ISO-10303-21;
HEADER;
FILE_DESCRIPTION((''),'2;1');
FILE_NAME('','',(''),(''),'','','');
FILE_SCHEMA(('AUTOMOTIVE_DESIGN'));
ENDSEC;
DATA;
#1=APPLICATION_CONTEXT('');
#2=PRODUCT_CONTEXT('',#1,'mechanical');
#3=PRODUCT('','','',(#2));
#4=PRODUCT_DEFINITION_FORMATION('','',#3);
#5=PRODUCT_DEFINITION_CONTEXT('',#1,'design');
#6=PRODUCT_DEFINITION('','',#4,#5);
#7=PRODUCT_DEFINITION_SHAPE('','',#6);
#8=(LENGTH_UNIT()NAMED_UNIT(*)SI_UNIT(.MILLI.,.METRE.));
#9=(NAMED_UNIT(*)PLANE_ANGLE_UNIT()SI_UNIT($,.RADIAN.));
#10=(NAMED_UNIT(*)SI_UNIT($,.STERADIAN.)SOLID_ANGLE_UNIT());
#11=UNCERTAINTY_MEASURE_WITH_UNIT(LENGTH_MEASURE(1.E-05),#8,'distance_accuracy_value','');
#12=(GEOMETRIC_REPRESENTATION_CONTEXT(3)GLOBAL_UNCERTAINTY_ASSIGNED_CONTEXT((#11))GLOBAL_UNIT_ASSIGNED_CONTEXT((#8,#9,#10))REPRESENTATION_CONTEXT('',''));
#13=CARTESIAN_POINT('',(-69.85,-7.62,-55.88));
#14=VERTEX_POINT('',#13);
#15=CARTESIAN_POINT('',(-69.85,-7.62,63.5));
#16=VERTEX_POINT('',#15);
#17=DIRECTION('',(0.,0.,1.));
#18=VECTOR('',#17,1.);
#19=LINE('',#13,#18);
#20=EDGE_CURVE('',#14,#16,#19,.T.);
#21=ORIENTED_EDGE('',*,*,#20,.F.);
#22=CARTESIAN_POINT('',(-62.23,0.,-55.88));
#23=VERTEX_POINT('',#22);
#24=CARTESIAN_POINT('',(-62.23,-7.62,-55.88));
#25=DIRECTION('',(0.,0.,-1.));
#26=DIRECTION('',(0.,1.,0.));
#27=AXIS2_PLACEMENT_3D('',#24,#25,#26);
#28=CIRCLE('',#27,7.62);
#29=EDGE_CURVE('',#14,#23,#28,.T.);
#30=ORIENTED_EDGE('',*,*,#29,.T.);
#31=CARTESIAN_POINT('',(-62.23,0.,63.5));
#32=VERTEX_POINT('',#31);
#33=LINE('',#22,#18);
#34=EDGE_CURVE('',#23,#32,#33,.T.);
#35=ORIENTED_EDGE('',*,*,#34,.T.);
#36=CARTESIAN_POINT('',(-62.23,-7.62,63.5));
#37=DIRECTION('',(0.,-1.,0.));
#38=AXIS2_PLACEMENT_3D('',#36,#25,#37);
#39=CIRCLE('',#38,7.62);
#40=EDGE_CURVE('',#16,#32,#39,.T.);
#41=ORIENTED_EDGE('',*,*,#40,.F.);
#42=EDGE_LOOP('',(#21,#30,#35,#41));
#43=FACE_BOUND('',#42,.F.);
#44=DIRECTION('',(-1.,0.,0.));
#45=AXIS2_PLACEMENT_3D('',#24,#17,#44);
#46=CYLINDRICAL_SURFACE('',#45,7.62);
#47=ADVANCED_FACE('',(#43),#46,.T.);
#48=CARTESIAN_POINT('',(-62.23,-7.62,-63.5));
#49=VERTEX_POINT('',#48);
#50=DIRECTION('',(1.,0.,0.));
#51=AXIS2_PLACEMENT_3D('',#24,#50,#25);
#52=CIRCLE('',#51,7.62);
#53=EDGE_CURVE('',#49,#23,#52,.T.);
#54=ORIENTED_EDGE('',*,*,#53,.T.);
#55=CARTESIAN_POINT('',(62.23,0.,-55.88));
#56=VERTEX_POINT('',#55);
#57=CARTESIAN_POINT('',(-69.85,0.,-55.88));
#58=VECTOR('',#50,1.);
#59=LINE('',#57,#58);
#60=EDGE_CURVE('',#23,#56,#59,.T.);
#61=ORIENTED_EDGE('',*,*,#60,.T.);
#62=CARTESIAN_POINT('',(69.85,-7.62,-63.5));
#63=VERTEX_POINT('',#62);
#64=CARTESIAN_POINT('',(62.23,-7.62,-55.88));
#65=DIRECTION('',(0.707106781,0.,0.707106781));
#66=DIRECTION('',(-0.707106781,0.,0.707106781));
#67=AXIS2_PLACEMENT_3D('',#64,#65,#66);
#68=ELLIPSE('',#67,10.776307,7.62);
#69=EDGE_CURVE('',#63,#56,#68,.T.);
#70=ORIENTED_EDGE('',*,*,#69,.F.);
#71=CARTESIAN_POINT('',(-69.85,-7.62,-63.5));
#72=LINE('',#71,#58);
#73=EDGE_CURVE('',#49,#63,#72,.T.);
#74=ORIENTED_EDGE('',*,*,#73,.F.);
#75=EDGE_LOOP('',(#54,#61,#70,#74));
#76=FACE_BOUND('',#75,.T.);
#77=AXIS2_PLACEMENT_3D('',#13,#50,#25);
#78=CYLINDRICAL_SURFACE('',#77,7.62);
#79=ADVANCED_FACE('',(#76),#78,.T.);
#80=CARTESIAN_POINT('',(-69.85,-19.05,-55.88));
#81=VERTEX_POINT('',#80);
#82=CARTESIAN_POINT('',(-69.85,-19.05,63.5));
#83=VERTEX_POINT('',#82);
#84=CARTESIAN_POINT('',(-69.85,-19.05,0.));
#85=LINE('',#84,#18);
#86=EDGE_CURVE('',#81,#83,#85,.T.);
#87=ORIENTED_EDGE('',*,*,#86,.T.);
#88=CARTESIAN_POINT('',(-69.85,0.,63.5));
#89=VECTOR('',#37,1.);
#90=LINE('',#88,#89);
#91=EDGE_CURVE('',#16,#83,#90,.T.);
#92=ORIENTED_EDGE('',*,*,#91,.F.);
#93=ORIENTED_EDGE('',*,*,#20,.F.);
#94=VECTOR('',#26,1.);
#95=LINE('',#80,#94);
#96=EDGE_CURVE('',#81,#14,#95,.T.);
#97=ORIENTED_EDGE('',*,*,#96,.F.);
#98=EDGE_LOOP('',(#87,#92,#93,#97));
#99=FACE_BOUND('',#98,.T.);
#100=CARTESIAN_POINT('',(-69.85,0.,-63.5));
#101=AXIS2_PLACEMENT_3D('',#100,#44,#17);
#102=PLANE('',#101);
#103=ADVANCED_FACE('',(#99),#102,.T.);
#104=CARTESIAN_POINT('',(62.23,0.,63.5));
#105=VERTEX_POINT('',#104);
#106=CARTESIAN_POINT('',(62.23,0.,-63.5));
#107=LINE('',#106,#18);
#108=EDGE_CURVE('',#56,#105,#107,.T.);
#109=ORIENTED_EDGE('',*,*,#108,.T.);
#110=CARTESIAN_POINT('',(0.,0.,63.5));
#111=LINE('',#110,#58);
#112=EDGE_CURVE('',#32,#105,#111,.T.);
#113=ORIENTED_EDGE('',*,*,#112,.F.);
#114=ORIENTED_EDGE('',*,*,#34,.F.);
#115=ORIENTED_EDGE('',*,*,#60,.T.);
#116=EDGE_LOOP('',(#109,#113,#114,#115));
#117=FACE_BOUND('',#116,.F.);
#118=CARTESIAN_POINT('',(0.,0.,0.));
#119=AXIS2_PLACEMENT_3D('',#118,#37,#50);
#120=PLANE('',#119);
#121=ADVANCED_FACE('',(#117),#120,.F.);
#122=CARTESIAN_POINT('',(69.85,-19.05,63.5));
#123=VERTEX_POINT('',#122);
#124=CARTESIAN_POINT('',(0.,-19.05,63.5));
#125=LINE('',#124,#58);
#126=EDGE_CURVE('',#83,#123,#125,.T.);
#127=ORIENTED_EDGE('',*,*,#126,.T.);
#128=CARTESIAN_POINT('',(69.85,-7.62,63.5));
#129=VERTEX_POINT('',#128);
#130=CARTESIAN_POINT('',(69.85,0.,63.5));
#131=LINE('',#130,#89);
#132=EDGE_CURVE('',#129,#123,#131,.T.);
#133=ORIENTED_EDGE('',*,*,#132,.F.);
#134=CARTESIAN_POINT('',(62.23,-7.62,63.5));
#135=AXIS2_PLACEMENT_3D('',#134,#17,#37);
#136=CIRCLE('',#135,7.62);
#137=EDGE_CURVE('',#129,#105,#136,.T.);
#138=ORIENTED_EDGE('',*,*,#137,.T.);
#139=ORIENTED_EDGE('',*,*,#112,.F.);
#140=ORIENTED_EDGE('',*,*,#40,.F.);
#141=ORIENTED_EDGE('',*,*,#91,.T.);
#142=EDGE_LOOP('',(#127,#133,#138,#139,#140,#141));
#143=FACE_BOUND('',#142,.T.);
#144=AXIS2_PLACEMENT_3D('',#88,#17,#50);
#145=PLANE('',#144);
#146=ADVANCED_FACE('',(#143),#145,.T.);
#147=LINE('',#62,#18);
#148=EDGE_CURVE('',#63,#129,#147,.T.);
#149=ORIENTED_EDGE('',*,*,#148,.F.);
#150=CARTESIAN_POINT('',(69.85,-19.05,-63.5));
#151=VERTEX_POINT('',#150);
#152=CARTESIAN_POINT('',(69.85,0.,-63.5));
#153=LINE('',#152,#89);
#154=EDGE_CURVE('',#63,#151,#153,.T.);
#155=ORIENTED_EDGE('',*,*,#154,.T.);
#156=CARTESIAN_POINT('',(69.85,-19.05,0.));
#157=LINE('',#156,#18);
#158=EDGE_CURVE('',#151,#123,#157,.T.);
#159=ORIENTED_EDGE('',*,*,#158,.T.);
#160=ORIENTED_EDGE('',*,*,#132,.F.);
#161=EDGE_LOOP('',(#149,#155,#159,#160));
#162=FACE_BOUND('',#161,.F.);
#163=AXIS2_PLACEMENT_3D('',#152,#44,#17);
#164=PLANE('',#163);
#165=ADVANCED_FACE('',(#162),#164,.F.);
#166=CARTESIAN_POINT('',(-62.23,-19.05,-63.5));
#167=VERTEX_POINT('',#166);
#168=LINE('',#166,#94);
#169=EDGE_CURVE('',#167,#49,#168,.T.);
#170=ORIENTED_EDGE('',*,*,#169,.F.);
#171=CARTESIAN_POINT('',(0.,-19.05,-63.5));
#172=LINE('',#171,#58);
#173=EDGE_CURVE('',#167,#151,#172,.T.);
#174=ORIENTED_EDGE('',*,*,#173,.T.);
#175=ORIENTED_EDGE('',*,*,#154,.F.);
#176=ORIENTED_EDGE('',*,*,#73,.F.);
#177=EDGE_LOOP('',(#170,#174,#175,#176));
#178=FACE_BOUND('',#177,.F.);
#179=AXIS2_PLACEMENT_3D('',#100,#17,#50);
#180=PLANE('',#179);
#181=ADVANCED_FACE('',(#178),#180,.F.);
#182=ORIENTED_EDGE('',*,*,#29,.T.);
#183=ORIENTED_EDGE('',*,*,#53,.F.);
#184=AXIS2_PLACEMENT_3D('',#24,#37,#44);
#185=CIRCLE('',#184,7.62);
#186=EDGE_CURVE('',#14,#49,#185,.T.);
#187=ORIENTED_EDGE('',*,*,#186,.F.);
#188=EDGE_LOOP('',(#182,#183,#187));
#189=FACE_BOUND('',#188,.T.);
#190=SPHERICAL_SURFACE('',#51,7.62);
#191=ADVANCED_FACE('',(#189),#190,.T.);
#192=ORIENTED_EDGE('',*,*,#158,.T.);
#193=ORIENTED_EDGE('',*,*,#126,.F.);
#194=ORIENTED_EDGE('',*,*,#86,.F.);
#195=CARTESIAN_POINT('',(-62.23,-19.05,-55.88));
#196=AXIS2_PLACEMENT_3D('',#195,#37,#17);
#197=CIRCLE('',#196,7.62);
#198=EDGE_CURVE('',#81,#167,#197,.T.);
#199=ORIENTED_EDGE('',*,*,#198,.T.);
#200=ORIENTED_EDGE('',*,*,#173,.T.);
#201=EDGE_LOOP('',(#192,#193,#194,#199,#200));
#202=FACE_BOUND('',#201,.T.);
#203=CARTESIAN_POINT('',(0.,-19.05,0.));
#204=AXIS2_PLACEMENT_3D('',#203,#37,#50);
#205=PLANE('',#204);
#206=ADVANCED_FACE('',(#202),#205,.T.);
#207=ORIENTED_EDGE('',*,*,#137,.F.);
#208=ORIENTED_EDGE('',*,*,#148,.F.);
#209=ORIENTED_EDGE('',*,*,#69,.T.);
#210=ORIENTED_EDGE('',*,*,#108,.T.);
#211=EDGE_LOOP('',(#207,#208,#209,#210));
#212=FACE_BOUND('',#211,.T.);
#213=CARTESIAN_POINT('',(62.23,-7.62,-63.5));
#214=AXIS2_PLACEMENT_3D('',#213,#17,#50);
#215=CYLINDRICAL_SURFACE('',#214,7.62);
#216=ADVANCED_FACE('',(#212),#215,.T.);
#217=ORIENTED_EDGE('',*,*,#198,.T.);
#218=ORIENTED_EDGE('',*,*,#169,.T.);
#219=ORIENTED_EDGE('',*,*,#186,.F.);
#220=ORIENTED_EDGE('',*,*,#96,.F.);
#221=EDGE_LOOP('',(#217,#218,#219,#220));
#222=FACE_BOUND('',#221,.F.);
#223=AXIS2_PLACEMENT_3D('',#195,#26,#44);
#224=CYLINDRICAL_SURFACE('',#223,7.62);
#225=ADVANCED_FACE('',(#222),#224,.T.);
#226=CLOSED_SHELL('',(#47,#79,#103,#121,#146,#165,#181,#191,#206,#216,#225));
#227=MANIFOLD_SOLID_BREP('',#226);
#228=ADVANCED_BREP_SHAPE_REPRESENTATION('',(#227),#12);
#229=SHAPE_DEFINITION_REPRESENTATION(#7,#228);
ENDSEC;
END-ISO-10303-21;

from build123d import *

# Parameters (mm, degrees)
F0_W     = 139.7
F0_H     = 127
F1_DEPTH = 19.05
F2_R     = 7.62
F3_R     = 7.62


with BuildPart() as f1:
    # F0 (on Front) → F1 (new body)
    with BuildSketch(Plane.XZ):
        Rectangle(F0_W, F0_H)
    extrude(amount=F1_DEPTH)

    # F2
    f2_edges = [f1.edges().sort_by_distance(p)[0] for p in [
        (69.85, 0, 0),
        (0, 0, -63.5),
    ]]
    fillet(f2_edges, radius=F2_R)

    # F3
    f3_edges = [f1.edges().sort_by_distance(p)[0] for p in [
        (-69.85, 0, 3.81),
    ]]
    fillet(f3_edges, radius=F3_R)


solid = f1.part
